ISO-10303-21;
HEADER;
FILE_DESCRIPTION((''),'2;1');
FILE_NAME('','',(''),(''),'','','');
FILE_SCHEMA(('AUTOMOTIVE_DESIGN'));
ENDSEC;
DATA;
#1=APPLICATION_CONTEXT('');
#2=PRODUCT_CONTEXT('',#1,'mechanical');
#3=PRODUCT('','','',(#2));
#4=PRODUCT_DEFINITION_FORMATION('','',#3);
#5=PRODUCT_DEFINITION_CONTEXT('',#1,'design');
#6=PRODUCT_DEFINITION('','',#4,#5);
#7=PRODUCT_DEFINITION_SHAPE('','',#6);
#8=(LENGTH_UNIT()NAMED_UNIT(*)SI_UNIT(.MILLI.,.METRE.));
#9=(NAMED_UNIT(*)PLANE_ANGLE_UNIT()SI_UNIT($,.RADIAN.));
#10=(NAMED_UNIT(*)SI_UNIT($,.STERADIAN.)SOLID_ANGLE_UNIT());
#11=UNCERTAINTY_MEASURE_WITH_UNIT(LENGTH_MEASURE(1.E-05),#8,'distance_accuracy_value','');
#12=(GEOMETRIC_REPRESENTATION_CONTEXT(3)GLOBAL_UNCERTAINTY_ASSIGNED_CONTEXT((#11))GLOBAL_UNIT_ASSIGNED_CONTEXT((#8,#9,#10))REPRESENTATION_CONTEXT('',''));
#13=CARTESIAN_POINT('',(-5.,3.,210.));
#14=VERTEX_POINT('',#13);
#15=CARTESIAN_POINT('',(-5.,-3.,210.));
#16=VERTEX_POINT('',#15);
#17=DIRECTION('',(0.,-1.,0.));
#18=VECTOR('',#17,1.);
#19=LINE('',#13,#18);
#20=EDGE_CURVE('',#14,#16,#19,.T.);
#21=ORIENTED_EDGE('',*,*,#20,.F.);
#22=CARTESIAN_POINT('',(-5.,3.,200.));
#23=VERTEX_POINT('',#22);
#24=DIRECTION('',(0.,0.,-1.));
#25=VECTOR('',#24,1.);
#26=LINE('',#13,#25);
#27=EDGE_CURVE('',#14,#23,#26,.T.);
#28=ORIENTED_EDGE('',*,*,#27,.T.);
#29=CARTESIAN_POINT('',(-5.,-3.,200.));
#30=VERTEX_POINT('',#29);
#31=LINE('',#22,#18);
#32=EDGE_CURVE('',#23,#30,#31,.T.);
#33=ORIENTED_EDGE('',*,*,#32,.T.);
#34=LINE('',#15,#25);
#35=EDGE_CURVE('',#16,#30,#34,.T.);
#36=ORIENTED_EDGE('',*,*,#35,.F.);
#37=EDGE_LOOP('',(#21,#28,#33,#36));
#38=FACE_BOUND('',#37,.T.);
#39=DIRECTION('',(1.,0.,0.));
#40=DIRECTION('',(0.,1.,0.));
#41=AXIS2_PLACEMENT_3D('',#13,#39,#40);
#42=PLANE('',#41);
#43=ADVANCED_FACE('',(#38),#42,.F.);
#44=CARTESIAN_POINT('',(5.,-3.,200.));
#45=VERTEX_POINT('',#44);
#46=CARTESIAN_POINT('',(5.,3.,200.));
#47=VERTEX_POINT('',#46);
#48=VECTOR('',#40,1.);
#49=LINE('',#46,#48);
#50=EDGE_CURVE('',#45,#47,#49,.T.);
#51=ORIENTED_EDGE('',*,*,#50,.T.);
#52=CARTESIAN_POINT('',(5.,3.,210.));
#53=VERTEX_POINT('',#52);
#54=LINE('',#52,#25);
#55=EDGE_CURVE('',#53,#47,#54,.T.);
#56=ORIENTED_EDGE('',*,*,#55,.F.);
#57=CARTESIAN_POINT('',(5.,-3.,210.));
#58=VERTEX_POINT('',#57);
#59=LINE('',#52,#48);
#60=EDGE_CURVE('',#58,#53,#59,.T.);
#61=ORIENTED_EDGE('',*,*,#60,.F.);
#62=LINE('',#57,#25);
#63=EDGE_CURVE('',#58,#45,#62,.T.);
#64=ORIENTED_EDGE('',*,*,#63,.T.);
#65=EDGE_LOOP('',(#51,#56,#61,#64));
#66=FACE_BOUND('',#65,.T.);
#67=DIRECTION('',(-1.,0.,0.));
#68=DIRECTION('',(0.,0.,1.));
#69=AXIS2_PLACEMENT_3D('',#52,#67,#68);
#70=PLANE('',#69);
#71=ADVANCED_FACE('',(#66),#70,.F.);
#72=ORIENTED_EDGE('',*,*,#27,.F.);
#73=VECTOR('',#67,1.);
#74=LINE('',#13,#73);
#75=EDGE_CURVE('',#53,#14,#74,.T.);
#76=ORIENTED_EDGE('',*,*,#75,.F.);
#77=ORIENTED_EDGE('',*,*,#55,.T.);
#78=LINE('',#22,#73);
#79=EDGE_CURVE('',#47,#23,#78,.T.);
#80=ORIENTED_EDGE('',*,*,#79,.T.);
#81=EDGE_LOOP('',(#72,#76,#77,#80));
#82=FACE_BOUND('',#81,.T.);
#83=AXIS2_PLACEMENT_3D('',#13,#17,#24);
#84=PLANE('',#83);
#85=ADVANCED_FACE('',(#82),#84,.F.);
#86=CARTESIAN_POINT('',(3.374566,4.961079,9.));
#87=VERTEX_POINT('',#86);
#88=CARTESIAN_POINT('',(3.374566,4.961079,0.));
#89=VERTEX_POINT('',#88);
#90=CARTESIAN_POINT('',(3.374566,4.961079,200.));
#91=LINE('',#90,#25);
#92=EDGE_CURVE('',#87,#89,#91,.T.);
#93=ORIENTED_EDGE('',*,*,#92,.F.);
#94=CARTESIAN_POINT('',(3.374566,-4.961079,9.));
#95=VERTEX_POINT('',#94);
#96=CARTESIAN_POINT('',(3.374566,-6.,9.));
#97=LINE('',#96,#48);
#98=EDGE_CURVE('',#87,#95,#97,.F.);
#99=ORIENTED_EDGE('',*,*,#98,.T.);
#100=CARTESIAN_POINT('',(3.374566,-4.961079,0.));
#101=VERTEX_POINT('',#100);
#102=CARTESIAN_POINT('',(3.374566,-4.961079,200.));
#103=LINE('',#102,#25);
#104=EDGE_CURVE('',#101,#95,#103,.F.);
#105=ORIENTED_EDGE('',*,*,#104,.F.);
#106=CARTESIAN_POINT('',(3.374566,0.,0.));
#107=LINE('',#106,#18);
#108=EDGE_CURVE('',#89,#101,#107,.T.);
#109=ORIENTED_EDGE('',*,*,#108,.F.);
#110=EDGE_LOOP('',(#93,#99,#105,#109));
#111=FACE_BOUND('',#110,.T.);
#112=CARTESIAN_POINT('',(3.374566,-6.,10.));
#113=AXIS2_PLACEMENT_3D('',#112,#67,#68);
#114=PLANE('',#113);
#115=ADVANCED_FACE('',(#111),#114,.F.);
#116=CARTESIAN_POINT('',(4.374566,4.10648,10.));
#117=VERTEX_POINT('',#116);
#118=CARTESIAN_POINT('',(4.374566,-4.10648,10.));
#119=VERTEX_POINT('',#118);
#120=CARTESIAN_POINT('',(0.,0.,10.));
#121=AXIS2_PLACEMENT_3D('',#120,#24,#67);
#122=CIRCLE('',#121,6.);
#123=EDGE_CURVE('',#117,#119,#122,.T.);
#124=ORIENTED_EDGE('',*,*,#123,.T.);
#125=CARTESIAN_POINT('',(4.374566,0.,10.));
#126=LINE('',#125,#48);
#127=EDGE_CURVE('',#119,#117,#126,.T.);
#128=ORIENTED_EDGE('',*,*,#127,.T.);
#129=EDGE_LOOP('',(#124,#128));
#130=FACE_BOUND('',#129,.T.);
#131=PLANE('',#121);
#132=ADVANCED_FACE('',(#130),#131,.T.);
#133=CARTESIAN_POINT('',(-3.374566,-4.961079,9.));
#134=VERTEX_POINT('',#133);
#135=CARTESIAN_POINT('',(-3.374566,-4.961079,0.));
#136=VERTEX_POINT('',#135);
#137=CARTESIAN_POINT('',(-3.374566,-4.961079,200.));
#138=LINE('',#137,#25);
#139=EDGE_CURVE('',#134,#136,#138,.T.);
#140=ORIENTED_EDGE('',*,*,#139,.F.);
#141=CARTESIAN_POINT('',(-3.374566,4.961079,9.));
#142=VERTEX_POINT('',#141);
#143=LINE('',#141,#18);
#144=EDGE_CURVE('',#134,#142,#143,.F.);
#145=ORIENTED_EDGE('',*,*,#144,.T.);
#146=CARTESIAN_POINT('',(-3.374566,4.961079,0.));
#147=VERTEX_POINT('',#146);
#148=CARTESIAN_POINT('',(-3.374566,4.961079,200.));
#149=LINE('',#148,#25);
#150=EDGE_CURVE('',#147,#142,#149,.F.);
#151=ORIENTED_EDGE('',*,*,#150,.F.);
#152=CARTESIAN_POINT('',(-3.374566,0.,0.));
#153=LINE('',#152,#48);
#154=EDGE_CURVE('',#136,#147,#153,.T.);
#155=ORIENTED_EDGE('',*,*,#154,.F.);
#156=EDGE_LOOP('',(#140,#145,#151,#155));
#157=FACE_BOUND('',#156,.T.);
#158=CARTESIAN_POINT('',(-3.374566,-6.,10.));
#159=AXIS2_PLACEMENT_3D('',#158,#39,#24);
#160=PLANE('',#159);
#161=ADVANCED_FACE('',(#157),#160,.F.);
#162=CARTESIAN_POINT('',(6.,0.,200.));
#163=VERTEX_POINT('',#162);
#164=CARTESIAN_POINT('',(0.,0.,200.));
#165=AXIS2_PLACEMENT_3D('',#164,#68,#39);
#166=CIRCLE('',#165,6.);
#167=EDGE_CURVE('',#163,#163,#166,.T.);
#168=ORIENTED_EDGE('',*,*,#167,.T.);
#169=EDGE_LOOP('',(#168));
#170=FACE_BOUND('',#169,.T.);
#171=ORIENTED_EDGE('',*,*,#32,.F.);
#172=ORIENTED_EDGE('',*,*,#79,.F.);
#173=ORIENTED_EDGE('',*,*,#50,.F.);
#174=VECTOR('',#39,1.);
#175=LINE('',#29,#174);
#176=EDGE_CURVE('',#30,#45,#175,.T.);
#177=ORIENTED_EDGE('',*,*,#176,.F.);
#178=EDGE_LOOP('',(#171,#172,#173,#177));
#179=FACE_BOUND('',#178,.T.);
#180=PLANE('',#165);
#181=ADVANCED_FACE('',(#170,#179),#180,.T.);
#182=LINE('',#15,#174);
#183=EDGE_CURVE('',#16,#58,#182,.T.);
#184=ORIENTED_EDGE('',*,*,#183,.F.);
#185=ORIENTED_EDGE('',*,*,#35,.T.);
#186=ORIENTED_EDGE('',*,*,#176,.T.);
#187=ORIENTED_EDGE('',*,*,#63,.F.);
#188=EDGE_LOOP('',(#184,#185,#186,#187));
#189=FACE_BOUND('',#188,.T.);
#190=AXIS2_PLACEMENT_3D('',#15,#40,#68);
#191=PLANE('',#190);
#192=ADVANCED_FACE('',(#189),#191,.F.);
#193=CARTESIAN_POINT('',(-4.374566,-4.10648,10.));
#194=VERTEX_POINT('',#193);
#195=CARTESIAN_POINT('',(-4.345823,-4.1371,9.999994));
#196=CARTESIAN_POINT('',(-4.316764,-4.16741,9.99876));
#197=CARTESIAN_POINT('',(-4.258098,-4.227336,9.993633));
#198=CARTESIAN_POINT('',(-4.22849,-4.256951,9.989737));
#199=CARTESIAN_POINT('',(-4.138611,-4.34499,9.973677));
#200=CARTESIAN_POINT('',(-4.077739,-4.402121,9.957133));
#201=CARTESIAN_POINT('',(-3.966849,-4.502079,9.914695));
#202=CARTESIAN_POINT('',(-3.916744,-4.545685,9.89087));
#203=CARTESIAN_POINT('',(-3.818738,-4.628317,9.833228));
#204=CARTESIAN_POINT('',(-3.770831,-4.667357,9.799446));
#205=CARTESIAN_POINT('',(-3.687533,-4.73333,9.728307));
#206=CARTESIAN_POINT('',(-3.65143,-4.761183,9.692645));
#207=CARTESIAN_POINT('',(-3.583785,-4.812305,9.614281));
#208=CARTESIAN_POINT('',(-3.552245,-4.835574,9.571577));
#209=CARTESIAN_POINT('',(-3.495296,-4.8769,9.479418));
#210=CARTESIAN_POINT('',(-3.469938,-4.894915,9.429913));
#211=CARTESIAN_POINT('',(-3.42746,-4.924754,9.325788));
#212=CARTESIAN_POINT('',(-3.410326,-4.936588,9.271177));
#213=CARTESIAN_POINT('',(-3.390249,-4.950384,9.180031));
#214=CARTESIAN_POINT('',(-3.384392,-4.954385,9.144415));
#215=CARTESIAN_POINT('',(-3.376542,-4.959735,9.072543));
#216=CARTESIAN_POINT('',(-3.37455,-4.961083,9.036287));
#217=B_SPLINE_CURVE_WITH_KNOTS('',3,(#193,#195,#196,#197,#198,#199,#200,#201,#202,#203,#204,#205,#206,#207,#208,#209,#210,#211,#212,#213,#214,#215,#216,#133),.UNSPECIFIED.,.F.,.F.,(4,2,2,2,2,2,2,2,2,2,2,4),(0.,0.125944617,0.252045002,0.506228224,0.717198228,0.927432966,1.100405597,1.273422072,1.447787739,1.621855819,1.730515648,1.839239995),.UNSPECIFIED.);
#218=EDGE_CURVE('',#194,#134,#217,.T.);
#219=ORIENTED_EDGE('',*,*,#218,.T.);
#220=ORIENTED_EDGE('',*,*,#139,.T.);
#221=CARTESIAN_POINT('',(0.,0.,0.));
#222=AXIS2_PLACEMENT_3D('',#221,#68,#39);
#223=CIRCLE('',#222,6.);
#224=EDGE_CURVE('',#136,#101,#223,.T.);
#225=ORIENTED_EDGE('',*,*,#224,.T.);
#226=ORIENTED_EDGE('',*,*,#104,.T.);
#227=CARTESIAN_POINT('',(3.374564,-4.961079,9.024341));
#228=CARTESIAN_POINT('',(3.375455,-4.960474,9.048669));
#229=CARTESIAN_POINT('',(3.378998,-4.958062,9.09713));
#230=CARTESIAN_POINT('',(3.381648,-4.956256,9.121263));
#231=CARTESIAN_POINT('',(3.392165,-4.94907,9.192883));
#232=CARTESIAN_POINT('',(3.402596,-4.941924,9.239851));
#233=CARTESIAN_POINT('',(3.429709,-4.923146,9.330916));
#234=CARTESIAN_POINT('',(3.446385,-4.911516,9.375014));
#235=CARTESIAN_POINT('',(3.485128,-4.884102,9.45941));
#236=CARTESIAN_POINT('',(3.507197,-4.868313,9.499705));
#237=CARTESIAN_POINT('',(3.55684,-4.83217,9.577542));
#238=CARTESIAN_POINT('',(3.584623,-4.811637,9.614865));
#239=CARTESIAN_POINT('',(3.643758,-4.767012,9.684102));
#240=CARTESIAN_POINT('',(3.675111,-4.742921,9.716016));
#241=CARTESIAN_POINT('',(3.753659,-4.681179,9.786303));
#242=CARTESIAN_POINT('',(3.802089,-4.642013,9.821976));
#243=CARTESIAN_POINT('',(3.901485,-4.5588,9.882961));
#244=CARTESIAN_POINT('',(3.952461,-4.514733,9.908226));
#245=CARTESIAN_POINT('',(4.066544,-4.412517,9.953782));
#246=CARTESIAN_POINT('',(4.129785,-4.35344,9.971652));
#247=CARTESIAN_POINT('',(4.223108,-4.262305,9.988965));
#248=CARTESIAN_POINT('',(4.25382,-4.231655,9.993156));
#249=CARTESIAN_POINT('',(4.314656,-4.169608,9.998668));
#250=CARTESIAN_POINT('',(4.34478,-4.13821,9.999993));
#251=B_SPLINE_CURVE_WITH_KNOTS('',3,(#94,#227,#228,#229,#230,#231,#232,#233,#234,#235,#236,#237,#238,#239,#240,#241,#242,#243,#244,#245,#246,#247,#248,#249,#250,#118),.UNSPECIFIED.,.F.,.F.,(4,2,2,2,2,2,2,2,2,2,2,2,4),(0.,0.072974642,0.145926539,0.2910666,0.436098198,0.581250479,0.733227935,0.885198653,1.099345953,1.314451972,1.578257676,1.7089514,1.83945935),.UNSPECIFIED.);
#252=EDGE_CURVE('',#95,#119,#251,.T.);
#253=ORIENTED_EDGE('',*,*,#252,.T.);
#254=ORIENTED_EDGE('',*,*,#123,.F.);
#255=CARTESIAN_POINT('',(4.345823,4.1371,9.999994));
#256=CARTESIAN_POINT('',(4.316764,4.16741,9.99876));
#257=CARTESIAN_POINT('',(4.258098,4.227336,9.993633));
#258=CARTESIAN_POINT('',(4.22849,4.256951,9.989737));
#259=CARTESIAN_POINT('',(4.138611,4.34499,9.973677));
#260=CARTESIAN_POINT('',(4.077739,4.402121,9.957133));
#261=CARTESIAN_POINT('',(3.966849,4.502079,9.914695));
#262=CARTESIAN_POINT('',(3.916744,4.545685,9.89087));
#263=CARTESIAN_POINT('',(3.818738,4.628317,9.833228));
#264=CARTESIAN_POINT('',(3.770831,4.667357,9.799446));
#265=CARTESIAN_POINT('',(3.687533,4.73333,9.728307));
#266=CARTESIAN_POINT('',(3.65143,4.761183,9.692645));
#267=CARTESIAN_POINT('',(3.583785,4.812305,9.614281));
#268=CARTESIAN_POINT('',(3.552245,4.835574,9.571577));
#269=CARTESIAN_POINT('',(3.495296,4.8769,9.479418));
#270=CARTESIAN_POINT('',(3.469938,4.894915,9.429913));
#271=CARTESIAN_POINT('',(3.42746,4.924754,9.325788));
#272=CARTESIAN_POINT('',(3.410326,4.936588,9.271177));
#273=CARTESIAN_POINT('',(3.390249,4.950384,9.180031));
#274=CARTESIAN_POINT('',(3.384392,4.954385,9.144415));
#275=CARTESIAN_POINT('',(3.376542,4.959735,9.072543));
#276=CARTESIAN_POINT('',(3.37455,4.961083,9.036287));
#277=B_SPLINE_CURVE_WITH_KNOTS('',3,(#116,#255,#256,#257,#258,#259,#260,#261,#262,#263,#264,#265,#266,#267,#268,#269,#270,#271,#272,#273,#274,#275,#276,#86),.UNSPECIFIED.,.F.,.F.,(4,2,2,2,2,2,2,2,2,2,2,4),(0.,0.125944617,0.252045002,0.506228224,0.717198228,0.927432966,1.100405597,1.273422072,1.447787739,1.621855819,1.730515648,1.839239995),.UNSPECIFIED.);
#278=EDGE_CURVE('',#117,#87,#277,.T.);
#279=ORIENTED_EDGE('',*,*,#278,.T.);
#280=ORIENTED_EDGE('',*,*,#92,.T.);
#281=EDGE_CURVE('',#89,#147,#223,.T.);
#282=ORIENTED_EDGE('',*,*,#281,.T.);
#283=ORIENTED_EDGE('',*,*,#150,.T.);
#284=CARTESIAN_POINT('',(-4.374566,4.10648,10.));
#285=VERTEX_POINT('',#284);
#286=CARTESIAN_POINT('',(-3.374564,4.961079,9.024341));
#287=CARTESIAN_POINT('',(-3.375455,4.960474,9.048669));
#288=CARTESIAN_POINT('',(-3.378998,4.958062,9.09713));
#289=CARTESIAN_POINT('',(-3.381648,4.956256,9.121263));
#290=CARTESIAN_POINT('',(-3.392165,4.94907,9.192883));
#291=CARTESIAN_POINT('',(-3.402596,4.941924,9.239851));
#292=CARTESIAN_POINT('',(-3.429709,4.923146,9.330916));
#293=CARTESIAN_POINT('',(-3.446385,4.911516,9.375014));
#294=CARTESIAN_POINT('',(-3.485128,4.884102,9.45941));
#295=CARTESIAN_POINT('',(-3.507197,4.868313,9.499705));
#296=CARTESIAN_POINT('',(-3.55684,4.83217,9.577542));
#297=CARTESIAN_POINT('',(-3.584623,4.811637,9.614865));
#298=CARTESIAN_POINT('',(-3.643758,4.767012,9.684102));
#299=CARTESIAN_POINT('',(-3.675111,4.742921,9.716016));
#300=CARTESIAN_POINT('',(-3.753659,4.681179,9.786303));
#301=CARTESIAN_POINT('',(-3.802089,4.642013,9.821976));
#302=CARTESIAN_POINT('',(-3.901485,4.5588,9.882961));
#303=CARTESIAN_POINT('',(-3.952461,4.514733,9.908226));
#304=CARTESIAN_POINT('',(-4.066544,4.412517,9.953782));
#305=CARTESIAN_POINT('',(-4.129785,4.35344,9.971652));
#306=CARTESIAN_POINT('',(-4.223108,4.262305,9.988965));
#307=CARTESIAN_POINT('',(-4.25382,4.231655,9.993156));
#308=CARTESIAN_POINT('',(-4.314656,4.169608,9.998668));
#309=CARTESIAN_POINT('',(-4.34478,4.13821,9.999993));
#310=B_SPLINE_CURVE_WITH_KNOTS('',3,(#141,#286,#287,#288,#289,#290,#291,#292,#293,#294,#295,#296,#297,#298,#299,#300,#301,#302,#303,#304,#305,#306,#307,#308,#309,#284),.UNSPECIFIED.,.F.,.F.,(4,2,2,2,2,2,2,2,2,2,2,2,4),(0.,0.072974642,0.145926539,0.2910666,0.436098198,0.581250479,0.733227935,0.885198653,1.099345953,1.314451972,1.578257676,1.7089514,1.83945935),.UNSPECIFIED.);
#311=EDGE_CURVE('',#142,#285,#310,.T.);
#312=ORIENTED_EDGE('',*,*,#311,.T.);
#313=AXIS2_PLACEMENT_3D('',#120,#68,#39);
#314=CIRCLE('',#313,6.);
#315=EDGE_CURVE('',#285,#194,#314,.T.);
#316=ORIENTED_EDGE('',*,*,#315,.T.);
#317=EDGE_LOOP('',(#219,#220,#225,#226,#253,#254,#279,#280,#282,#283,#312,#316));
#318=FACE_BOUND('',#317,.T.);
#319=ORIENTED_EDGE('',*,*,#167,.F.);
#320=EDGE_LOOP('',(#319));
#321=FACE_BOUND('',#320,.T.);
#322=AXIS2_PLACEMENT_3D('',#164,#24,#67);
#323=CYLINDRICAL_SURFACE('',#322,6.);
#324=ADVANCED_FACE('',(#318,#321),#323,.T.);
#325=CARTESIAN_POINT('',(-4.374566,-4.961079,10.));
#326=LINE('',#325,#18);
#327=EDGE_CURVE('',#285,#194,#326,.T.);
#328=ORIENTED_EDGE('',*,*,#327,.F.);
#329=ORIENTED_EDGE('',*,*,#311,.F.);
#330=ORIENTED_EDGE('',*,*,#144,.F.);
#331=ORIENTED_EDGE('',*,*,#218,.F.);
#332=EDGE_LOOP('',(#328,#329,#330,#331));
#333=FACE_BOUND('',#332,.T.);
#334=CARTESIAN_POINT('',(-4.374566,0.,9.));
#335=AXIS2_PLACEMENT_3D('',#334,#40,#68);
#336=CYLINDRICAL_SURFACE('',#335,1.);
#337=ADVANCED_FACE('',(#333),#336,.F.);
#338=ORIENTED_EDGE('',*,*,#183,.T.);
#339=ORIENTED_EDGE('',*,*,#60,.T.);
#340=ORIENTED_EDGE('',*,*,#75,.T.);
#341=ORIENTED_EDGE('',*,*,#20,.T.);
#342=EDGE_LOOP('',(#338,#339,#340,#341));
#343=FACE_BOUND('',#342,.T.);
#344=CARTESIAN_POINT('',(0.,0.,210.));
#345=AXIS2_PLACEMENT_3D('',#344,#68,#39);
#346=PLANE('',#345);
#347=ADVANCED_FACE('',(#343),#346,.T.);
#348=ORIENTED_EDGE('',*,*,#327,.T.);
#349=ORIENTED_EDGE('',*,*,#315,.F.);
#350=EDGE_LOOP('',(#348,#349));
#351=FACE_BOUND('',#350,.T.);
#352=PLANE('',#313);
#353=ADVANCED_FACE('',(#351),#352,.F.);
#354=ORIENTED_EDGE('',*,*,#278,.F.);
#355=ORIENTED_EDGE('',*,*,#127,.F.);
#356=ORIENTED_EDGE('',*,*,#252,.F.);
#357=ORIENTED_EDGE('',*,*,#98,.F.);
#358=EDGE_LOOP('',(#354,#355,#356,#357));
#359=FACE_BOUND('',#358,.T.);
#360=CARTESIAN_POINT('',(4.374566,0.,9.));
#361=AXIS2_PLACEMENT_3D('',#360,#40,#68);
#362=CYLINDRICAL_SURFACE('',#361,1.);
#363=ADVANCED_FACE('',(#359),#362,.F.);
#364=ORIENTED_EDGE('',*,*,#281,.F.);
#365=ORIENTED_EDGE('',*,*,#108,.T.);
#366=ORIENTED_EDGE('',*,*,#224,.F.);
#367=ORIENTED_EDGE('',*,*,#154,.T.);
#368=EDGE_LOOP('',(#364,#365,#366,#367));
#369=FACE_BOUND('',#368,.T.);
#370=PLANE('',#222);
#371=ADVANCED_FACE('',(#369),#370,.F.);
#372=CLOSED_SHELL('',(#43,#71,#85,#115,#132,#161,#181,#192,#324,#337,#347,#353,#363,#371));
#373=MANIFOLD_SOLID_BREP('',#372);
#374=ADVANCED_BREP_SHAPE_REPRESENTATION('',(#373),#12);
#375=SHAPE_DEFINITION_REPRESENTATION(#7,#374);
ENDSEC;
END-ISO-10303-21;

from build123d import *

# Parameters (mm, degrees)
SCHIZZO1_R                   = 6
ESTRUSIONE_ESTRUSIONE1_DEPTH = 200
SCHIZZO2_W                   = 10
SCHIZZO2_H                   = 6
ESTRUSIONE_ESTRUSIONE2_DEPTH = 10
SCHIZZO6_W                   = 2.625434249
SCHIZZO6_H                   = 12.677495408
TAGLIO_ESTRUSIONE1_DEPTH     = 10
RACCORDO2_R                  = 1
RACCORDO3_R                  = 1


with BuildPart() as part:
    # Schizzo1 → Estrusione-Estrusione1 (new body)
    with BuildSketch(Plane.XY):
        with Locations(Location((0, 0, 0), (0, 0, 180))):
            Circle(SCHIZZO1_R)
    extrude(amount=ESTRUSIONE_ESTRUSIONE1_DEPTH)

    # Schizzo2 → Estrusione-Estrusione2 (add)
    with BuildSketch(Plane.XY.offset(200)):
        Rectangle(SCHIZZO2_W, SCHIZZO2_H)
    extrude(amount=ESTRUSIONE_ESTRUSIONE2_DEPTH)

    # Schizzo6 → Taglio-Estrusione1 (cut)
    with BuildSketch(Plane(origin=(0, 0, 0), x_dir=(-1, 0, 0), z_dir=(0, 0, -1))):
        with Locations((4.687282876, 0.338747704)):
            Rectangle(SCHIZZO6_W, SCHIZZO6_H)
        with Locations((-4.687282876, 0.338747704)):
            Rectangle(SCHIZZO6_W, SCHIZZO6_H)
    extrude(amount=-TAGLIO_ESTRUSIONE1_DEPTH, mode=Mode.SUBTRACT)

    # Raccordo2
    raccordo2_edges = [part.edges().sort_by_distance(p)[0] for p in [
        (3.374565751, 0, 10),
    ]]
    fillet(raccordo2_edges, radius=RACCORDO2_R)

    # Raccordo3
    raccordo3_edges = [part.edges().sort_by_distance(p)[0] for p in [
        (-3.374565751, 0, 10),
    ]]
    fillet(raccordo3_edges, radius=RACCORDO3_R)


solid = part.part
